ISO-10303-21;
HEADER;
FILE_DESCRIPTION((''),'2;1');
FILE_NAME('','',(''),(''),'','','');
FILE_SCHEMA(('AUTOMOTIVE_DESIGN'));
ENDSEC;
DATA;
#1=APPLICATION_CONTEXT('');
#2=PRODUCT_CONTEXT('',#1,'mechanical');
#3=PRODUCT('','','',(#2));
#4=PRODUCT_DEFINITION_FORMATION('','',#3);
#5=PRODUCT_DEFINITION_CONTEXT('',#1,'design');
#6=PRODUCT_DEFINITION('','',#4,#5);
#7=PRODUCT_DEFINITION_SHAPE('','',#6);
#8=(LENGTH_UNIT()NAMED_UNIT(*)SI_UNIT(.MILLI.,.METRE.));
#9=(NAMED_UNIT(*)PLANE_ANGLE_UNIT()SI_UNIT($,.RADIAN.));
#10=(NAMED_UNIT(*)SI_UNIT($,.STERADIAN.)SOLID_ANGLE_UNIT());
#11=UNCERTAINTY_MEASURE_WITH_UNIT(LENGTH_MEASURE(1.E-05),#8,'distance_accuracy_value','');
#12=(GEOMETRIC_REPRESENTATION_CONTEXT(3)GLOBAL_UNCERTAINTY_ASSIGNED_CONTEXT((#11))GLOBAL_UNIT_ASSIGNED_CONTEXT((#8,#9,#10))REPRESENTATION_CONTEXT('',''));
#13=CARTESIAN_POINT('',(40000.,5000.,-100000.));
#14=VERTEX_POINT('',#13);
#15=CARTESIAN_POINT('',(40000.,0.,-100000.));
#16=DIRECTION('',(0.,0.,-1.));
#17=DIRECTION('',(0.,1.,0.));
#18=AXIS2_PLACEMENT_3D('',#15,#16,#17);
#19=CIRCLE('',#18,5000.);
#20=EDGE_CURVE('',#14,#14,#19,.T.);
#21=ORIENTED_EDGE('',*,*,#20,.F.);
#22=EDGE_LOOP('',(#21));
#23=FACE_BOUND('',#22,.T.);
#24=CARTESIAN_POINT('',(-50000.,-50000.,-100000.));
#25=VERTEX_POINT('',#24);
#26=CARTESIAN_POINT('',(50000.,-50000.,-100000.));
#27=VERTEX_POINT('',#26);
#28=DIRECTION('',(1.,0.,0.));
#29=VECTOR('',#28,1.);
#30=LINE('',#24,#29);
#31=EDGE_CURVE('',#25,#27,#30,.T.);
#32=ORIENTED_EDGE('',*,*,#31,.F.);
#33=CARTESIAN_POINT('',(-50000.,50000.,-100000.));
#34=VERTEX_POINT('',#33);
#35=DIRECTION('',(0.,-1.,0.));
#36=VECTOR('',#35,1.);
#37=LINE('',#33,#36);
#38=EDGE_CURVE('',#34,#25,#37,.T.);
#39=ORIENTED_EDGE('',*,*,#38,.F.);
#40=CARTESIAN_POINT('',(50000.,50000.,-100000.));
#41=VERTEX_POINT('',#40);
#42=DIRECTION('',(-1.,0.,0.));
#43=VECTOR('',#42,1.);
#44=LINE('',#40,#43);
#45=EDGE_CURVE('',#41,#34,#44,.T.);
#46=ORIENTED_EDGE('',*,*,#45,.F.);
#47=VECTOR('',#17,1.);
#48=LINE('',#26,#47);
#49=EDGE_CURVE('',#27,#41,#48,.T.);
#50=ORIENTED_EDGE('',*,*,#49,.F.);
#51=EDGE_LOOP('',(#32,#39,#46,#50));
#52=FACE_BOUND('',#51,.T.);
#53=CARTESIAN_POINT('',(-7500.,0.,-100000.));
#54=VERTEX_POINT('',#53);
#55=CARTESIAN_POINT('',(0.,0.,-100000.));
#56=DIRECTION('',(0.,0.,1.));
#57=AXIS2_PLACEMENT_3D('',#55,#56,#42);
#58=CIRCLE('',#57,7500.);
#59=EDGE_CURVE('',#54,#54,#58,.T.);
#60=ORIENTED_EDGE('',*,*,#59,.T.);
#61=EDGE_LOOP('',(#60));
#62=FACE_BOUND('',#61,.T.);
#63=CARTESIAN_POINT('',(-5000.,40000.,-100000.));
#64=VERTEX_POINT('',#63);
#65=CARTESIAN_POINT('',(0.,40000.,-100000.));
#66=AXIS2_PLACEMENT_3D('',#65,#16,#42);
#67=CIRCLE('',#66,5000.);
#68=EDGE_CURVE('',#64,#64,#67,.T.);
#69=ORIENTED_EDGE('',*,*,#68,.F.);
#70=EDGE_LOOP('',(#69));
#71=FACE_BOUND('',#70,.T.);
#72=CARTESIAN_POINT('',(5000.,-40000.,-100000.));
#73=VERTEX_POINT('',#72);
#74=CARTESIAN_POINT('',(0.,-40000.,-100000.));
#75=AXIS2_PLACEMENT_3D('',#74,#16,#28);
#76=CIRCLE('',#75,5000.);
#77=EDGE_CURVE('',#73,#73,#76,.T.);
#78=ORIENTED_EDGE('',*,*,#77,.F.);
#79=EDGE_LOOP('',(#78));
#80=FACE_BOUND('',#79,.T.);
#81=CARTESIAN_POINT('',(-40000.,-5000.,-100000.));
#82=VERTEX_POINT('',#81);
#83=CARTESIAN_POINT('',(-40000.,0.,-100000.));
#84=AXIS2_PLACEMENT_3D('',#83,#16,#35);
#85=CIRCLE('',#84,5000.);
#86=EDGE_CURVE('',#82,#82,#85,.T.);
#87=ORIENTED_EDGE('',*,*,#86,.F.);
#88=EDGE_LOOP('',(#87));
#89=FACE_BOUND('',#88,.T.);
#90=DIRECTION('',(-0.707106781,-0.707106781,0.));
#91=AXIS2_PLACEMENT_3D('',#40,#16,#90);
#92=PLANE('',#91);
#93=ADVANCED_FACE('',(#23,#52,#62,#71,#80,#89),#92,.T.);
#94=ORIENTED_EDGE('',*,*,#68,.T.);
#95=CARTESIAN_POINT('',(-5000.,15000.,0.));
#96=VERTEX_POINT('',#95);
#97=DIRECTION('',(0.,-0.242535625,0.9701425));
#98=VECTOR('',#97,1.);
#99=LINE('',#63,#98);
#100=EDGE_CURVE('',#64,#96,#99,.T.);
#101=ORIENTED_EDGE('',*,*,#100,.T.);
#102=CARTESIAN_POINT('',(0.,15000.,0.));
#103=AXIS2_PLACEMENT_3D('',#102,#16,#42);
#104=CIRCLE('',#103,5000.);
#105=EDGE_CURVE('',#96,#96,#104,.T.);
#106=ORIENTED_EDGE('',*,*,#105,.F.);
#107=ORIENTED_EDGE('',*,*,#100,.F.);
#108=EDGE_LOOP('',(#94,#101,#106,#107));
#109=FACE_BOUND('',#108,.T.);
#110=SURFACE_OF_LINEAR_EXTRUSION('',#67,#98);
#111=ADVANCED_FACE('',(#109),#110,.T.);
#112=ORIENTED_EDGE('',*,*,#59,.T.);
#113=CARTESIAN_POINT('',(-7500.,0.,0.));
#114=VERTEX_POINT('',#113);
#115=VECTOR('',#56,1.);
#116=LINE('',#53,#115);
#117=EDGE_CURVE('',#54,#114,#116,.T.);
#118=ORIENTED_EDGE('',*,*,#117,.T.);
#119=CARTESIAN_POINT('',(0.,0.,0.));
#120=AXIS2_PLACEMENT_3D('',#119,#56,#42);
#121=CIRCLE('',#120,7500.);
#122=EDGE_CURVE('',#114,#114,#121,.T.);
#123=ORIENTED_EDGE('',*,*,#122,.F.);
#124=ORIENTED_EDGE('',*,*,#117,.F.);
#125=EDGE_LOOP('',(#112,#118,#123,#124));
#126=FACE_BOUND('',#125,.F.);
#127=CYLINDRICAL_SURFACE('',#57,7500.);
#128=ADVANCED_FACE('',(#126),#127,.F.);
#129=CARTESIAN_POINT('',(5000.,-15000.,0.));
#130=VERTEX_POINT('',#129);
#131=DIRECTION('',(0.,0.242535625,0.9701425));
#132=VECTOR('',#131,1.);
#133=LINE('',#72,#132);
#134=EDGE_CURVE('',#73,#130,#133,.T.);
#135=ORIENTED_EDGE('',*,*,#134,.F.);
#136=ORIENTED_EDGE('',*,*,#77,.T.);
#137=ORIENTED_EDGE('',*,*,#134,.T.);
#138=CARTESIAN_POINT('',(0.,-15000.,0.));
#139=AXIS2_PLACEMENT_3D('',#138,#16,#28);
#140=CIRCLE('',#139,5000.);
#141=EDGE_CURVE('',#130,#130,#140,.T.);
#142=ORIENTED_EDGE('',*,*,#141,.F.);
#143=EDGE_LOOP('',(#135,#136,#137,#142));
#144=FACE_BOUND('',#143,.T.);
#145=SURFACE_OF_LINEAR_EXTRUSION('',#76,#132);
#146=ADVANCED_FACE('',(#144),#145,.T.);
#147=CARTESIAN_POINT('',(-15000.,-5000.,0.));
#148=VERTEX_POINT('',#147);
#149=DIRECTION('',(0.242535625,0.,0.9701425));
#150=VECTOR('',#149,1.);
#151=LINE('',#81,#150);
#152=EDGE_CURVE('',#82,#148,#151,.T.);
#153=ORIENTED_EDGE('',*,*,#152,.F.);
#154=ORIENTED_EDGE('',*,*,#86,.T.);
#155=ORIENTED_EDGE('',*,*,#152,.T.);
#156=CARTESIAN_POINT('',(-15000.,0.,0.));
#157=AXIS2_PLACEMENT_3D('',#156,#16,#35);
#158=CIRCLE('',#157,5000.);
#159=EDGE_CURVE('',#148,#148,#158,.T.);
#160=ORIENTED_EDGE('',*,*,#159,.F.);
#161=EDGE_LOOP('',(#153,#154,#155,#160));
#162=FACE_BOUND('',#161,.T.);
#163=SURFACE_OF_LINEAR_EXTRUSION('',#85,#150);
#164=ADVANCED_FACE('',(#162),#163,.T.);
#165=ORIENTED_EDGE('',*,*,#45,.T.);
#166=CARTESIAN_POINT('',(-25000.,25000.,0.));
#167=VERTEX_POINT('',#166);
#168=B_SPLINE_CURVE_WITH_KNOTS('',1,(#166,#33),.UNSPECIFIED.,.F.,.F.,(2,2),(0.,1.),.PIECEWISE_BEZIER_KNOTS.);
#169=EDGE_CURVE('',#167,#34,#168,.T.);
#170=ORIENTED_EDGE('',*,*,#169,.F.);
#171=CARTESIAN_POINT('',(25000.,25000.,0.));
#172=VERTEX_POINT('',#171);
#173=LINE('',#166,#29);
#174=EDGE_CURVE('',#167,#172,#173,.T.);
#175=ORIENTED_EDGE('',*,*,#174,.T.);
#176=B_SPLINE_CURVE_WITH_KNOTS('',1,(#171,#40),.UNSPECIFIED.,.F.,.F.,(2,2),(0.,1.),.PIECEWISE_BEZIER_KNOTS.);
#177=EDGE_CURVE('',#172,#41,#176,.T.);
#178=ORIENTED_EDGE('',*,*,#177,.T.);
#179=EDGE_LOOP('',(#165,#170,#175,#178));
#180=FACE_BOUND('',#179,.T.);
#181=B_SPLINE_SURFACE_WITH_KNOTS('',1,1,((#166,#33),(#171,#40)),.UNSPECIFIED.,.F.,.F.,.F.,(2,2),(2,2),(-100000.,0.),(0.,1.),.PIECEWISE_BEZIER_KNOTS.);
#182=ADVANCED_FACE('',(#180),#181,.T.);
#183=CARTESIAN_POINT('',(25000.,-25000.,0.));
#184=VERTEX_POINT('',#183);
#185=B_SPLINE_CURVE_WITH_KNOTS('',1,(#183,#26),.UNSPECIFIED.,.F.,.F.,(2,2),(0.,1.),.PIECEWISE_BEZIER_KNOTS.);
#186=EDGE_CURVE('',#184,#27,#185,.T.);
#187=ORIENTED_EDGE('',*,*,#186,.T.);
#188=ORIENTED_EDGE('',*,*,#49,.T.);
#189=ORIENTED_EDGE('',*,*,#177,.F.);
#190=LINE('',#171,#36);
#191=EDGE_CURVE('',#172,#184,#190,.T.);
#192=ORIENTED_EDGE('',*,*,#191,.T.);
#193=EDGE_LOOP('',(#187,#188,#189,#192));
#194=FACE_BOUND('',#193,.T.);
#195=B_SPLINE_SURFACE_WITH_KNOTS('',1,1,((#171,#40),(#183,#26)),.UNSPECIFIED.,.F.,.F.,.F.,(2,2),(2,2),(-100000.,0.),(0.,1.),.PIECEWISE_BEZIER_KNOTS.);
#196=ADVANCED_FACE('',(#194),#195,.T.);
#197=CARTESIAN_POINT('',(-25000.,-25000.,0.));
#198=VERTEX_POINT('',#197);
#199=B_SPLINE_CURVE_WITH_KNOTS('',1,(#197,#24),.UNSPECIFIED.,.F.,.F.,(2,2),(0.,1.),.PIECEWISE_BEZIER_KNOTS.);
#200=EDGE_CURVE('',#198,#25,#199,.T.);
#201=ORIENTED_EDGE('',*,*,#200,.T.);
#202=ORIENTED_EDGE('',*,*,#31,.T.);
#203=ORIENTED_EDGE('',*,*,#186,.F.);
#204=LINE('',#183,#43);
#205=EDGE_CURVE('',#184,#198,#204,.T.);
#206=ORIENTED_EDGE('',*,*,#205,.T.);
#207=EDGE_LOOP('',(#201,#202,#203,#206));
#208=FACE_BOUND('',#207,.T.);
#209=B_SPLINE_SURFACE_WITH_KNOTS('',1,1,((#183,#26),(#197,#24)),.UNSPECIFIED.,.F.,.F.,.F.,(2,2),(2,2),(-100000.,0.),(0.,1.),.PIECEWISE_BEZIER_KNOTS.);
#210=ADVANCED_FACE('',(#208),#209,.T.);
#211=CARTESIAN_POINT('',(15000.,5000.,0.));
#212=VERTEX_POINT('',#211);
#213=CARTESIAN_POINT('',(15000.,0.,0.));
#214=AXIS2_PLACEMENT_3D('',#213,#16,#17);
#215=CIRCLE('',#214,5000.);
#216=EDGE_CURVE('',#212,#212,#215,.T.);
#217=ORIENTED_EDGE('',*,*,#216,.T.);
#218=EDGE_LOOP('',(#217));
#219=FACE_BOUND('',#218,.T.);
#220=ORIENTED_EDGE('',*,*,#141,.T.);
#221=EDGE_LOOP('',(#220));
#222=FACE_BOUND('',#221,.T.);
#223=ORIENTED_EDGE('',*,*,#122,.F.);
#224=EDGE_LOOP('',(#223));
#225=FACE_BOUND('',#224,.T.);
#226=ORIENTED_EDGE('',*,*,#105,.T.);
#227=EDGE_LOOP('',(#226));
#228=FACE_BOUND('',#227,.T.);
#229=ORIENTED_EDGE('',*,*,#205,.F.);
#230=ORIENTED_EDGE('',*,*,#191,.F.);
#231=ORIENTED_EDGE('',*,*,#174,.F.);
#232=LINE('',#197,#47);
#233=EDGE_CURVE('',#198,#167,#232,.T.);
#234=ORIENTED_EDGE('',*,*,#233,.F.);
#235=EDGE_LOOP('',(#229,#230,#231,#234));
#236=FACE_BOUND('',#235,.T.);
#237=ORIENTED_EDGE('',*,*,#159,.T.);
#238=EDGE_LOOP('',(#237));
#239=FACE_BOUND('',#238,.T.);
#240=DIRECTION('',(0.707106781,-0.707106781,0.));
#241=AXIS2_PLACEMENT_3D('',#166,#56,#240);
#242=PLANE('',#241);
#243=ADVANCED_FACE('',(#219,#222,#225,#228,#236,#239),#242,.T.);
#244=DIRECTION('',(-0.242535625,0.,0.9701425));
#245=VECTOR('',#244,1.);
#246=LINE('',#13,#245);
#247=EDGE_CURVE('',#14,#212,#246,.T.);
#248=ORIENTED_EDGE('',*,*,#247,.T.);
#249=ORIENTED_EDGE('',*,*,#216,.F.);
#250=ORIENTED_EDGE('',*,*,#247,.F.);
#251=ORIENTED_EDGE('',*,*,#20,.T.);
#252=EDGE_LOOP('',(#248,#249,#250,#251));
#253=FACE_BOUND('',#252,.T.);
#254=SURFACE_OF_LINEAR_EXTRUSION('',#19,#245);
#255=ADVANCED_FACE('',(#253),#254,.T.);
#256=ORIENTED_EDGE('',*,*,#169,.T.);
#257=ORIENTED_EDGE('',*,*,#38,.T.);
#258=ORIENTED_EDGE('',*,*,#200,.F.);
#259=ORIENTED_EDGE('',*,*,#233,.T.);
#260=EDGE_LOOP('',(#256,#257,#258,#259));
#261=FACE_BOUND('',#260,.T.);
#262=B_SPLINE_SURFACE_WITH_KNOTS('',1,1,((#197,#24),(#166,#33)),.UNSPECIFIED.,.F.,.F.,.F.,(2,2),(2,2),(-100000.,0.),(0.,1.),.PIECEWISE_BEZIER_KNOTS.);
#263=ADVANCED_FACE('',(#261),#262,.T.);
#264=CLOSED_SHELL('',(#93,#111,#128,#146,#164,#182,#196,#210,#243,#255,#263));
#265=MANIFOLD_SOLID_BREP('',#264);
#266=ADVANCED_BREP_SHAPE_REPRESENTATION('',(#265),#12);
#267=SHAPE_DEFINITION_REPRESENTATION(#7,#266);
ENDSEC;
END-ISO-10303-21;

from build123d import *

# Parameters (mm, degrees)
SKETCH13_R        = 7500
SKETCH14_R        = 5000
CIRPATTERN1_COUNT = 4


with BuildPart() as part:
    # Sketch1 → Loft1 section 0
    with BuildSketch(Plane.XY):
        with BuildLine():
            Line((-25000, 25000), (25000, 25000))
            Line((25000, 25000), (25000, -25000))
            Line((25000, -25000), (-25000, -25000))
            Line((-25000, -25000), (-25000, 25000))
        make_face()
    # Sketch2 → Loft1 section 1
    with BuildSketch(Plane.XY.offset(-100000)):
        with BuildLine():
            Line((-50000, -50000), (50000, -50000))
            Line((50000, -50000), (50000, 50000))
            Line((50000, 50000), (-50000, 50000))
            Line((-50000, 50000), (-50000, -50000))
        make_face()
    loft()

    # Cut-Sweep1: sweep along a path in Sketch12
    with BuildLine(Plane(origin=(0, 0, 0), x_dir=(1, 0, 0), z_dir=(0, 1, 0))) as cut_sweep1_path:
        Line((0, 100000), (0, 0))
    # Sketch13 → Cut-Sweep1 (sweep, cut)
    with BuildSketch(Plane(origin=(0, 0, -100000), x_dir=(-1, 0, 0), z_dir=(0, 0, -1))):
        Circle(SKETCH13_R)
    sweep(path=cut_sweep1_path.line, mode=Mode.SUBTRACT)

    # Cut-Sweep2: sweep along a path in Sketch17
    with BuildLine(Plane(origin=(0, 0, 0), x_dir=(0, 0, -1), z_dir=(1, 0, 0))) as cut_sweep2_path:
        Line((100000, 40000), (0, 15000))
    # Sketch14 → Cut-Sweep2 (sweep, cut)
    with BuildSketch(Plane(origin=(0, 0, -100000), x_dir=(-1, 0, 0), z_dir=(0, 0, -1))):
        with Locations((0, 40000)):
            Circle(SKETCH14_R)
    cut_sweep2 = sweep(path=cut_sweep2_path.line, mode=Mode.SUBTRACT)

    # CirPattern1: Cut-Sweep2 ×4 about axis
    cirpattern1_axis = Axis((0, 0, -101000), (0, 0, 1))
    for i in range(1, CIRPATTERN1_COUNT):
        add(cut_sweep2.rotate(cirpattern1_axis, i * 360 / CIRPATTERN1_COUNT), mode=Mode.SUBTRACT)


solid = part.part
